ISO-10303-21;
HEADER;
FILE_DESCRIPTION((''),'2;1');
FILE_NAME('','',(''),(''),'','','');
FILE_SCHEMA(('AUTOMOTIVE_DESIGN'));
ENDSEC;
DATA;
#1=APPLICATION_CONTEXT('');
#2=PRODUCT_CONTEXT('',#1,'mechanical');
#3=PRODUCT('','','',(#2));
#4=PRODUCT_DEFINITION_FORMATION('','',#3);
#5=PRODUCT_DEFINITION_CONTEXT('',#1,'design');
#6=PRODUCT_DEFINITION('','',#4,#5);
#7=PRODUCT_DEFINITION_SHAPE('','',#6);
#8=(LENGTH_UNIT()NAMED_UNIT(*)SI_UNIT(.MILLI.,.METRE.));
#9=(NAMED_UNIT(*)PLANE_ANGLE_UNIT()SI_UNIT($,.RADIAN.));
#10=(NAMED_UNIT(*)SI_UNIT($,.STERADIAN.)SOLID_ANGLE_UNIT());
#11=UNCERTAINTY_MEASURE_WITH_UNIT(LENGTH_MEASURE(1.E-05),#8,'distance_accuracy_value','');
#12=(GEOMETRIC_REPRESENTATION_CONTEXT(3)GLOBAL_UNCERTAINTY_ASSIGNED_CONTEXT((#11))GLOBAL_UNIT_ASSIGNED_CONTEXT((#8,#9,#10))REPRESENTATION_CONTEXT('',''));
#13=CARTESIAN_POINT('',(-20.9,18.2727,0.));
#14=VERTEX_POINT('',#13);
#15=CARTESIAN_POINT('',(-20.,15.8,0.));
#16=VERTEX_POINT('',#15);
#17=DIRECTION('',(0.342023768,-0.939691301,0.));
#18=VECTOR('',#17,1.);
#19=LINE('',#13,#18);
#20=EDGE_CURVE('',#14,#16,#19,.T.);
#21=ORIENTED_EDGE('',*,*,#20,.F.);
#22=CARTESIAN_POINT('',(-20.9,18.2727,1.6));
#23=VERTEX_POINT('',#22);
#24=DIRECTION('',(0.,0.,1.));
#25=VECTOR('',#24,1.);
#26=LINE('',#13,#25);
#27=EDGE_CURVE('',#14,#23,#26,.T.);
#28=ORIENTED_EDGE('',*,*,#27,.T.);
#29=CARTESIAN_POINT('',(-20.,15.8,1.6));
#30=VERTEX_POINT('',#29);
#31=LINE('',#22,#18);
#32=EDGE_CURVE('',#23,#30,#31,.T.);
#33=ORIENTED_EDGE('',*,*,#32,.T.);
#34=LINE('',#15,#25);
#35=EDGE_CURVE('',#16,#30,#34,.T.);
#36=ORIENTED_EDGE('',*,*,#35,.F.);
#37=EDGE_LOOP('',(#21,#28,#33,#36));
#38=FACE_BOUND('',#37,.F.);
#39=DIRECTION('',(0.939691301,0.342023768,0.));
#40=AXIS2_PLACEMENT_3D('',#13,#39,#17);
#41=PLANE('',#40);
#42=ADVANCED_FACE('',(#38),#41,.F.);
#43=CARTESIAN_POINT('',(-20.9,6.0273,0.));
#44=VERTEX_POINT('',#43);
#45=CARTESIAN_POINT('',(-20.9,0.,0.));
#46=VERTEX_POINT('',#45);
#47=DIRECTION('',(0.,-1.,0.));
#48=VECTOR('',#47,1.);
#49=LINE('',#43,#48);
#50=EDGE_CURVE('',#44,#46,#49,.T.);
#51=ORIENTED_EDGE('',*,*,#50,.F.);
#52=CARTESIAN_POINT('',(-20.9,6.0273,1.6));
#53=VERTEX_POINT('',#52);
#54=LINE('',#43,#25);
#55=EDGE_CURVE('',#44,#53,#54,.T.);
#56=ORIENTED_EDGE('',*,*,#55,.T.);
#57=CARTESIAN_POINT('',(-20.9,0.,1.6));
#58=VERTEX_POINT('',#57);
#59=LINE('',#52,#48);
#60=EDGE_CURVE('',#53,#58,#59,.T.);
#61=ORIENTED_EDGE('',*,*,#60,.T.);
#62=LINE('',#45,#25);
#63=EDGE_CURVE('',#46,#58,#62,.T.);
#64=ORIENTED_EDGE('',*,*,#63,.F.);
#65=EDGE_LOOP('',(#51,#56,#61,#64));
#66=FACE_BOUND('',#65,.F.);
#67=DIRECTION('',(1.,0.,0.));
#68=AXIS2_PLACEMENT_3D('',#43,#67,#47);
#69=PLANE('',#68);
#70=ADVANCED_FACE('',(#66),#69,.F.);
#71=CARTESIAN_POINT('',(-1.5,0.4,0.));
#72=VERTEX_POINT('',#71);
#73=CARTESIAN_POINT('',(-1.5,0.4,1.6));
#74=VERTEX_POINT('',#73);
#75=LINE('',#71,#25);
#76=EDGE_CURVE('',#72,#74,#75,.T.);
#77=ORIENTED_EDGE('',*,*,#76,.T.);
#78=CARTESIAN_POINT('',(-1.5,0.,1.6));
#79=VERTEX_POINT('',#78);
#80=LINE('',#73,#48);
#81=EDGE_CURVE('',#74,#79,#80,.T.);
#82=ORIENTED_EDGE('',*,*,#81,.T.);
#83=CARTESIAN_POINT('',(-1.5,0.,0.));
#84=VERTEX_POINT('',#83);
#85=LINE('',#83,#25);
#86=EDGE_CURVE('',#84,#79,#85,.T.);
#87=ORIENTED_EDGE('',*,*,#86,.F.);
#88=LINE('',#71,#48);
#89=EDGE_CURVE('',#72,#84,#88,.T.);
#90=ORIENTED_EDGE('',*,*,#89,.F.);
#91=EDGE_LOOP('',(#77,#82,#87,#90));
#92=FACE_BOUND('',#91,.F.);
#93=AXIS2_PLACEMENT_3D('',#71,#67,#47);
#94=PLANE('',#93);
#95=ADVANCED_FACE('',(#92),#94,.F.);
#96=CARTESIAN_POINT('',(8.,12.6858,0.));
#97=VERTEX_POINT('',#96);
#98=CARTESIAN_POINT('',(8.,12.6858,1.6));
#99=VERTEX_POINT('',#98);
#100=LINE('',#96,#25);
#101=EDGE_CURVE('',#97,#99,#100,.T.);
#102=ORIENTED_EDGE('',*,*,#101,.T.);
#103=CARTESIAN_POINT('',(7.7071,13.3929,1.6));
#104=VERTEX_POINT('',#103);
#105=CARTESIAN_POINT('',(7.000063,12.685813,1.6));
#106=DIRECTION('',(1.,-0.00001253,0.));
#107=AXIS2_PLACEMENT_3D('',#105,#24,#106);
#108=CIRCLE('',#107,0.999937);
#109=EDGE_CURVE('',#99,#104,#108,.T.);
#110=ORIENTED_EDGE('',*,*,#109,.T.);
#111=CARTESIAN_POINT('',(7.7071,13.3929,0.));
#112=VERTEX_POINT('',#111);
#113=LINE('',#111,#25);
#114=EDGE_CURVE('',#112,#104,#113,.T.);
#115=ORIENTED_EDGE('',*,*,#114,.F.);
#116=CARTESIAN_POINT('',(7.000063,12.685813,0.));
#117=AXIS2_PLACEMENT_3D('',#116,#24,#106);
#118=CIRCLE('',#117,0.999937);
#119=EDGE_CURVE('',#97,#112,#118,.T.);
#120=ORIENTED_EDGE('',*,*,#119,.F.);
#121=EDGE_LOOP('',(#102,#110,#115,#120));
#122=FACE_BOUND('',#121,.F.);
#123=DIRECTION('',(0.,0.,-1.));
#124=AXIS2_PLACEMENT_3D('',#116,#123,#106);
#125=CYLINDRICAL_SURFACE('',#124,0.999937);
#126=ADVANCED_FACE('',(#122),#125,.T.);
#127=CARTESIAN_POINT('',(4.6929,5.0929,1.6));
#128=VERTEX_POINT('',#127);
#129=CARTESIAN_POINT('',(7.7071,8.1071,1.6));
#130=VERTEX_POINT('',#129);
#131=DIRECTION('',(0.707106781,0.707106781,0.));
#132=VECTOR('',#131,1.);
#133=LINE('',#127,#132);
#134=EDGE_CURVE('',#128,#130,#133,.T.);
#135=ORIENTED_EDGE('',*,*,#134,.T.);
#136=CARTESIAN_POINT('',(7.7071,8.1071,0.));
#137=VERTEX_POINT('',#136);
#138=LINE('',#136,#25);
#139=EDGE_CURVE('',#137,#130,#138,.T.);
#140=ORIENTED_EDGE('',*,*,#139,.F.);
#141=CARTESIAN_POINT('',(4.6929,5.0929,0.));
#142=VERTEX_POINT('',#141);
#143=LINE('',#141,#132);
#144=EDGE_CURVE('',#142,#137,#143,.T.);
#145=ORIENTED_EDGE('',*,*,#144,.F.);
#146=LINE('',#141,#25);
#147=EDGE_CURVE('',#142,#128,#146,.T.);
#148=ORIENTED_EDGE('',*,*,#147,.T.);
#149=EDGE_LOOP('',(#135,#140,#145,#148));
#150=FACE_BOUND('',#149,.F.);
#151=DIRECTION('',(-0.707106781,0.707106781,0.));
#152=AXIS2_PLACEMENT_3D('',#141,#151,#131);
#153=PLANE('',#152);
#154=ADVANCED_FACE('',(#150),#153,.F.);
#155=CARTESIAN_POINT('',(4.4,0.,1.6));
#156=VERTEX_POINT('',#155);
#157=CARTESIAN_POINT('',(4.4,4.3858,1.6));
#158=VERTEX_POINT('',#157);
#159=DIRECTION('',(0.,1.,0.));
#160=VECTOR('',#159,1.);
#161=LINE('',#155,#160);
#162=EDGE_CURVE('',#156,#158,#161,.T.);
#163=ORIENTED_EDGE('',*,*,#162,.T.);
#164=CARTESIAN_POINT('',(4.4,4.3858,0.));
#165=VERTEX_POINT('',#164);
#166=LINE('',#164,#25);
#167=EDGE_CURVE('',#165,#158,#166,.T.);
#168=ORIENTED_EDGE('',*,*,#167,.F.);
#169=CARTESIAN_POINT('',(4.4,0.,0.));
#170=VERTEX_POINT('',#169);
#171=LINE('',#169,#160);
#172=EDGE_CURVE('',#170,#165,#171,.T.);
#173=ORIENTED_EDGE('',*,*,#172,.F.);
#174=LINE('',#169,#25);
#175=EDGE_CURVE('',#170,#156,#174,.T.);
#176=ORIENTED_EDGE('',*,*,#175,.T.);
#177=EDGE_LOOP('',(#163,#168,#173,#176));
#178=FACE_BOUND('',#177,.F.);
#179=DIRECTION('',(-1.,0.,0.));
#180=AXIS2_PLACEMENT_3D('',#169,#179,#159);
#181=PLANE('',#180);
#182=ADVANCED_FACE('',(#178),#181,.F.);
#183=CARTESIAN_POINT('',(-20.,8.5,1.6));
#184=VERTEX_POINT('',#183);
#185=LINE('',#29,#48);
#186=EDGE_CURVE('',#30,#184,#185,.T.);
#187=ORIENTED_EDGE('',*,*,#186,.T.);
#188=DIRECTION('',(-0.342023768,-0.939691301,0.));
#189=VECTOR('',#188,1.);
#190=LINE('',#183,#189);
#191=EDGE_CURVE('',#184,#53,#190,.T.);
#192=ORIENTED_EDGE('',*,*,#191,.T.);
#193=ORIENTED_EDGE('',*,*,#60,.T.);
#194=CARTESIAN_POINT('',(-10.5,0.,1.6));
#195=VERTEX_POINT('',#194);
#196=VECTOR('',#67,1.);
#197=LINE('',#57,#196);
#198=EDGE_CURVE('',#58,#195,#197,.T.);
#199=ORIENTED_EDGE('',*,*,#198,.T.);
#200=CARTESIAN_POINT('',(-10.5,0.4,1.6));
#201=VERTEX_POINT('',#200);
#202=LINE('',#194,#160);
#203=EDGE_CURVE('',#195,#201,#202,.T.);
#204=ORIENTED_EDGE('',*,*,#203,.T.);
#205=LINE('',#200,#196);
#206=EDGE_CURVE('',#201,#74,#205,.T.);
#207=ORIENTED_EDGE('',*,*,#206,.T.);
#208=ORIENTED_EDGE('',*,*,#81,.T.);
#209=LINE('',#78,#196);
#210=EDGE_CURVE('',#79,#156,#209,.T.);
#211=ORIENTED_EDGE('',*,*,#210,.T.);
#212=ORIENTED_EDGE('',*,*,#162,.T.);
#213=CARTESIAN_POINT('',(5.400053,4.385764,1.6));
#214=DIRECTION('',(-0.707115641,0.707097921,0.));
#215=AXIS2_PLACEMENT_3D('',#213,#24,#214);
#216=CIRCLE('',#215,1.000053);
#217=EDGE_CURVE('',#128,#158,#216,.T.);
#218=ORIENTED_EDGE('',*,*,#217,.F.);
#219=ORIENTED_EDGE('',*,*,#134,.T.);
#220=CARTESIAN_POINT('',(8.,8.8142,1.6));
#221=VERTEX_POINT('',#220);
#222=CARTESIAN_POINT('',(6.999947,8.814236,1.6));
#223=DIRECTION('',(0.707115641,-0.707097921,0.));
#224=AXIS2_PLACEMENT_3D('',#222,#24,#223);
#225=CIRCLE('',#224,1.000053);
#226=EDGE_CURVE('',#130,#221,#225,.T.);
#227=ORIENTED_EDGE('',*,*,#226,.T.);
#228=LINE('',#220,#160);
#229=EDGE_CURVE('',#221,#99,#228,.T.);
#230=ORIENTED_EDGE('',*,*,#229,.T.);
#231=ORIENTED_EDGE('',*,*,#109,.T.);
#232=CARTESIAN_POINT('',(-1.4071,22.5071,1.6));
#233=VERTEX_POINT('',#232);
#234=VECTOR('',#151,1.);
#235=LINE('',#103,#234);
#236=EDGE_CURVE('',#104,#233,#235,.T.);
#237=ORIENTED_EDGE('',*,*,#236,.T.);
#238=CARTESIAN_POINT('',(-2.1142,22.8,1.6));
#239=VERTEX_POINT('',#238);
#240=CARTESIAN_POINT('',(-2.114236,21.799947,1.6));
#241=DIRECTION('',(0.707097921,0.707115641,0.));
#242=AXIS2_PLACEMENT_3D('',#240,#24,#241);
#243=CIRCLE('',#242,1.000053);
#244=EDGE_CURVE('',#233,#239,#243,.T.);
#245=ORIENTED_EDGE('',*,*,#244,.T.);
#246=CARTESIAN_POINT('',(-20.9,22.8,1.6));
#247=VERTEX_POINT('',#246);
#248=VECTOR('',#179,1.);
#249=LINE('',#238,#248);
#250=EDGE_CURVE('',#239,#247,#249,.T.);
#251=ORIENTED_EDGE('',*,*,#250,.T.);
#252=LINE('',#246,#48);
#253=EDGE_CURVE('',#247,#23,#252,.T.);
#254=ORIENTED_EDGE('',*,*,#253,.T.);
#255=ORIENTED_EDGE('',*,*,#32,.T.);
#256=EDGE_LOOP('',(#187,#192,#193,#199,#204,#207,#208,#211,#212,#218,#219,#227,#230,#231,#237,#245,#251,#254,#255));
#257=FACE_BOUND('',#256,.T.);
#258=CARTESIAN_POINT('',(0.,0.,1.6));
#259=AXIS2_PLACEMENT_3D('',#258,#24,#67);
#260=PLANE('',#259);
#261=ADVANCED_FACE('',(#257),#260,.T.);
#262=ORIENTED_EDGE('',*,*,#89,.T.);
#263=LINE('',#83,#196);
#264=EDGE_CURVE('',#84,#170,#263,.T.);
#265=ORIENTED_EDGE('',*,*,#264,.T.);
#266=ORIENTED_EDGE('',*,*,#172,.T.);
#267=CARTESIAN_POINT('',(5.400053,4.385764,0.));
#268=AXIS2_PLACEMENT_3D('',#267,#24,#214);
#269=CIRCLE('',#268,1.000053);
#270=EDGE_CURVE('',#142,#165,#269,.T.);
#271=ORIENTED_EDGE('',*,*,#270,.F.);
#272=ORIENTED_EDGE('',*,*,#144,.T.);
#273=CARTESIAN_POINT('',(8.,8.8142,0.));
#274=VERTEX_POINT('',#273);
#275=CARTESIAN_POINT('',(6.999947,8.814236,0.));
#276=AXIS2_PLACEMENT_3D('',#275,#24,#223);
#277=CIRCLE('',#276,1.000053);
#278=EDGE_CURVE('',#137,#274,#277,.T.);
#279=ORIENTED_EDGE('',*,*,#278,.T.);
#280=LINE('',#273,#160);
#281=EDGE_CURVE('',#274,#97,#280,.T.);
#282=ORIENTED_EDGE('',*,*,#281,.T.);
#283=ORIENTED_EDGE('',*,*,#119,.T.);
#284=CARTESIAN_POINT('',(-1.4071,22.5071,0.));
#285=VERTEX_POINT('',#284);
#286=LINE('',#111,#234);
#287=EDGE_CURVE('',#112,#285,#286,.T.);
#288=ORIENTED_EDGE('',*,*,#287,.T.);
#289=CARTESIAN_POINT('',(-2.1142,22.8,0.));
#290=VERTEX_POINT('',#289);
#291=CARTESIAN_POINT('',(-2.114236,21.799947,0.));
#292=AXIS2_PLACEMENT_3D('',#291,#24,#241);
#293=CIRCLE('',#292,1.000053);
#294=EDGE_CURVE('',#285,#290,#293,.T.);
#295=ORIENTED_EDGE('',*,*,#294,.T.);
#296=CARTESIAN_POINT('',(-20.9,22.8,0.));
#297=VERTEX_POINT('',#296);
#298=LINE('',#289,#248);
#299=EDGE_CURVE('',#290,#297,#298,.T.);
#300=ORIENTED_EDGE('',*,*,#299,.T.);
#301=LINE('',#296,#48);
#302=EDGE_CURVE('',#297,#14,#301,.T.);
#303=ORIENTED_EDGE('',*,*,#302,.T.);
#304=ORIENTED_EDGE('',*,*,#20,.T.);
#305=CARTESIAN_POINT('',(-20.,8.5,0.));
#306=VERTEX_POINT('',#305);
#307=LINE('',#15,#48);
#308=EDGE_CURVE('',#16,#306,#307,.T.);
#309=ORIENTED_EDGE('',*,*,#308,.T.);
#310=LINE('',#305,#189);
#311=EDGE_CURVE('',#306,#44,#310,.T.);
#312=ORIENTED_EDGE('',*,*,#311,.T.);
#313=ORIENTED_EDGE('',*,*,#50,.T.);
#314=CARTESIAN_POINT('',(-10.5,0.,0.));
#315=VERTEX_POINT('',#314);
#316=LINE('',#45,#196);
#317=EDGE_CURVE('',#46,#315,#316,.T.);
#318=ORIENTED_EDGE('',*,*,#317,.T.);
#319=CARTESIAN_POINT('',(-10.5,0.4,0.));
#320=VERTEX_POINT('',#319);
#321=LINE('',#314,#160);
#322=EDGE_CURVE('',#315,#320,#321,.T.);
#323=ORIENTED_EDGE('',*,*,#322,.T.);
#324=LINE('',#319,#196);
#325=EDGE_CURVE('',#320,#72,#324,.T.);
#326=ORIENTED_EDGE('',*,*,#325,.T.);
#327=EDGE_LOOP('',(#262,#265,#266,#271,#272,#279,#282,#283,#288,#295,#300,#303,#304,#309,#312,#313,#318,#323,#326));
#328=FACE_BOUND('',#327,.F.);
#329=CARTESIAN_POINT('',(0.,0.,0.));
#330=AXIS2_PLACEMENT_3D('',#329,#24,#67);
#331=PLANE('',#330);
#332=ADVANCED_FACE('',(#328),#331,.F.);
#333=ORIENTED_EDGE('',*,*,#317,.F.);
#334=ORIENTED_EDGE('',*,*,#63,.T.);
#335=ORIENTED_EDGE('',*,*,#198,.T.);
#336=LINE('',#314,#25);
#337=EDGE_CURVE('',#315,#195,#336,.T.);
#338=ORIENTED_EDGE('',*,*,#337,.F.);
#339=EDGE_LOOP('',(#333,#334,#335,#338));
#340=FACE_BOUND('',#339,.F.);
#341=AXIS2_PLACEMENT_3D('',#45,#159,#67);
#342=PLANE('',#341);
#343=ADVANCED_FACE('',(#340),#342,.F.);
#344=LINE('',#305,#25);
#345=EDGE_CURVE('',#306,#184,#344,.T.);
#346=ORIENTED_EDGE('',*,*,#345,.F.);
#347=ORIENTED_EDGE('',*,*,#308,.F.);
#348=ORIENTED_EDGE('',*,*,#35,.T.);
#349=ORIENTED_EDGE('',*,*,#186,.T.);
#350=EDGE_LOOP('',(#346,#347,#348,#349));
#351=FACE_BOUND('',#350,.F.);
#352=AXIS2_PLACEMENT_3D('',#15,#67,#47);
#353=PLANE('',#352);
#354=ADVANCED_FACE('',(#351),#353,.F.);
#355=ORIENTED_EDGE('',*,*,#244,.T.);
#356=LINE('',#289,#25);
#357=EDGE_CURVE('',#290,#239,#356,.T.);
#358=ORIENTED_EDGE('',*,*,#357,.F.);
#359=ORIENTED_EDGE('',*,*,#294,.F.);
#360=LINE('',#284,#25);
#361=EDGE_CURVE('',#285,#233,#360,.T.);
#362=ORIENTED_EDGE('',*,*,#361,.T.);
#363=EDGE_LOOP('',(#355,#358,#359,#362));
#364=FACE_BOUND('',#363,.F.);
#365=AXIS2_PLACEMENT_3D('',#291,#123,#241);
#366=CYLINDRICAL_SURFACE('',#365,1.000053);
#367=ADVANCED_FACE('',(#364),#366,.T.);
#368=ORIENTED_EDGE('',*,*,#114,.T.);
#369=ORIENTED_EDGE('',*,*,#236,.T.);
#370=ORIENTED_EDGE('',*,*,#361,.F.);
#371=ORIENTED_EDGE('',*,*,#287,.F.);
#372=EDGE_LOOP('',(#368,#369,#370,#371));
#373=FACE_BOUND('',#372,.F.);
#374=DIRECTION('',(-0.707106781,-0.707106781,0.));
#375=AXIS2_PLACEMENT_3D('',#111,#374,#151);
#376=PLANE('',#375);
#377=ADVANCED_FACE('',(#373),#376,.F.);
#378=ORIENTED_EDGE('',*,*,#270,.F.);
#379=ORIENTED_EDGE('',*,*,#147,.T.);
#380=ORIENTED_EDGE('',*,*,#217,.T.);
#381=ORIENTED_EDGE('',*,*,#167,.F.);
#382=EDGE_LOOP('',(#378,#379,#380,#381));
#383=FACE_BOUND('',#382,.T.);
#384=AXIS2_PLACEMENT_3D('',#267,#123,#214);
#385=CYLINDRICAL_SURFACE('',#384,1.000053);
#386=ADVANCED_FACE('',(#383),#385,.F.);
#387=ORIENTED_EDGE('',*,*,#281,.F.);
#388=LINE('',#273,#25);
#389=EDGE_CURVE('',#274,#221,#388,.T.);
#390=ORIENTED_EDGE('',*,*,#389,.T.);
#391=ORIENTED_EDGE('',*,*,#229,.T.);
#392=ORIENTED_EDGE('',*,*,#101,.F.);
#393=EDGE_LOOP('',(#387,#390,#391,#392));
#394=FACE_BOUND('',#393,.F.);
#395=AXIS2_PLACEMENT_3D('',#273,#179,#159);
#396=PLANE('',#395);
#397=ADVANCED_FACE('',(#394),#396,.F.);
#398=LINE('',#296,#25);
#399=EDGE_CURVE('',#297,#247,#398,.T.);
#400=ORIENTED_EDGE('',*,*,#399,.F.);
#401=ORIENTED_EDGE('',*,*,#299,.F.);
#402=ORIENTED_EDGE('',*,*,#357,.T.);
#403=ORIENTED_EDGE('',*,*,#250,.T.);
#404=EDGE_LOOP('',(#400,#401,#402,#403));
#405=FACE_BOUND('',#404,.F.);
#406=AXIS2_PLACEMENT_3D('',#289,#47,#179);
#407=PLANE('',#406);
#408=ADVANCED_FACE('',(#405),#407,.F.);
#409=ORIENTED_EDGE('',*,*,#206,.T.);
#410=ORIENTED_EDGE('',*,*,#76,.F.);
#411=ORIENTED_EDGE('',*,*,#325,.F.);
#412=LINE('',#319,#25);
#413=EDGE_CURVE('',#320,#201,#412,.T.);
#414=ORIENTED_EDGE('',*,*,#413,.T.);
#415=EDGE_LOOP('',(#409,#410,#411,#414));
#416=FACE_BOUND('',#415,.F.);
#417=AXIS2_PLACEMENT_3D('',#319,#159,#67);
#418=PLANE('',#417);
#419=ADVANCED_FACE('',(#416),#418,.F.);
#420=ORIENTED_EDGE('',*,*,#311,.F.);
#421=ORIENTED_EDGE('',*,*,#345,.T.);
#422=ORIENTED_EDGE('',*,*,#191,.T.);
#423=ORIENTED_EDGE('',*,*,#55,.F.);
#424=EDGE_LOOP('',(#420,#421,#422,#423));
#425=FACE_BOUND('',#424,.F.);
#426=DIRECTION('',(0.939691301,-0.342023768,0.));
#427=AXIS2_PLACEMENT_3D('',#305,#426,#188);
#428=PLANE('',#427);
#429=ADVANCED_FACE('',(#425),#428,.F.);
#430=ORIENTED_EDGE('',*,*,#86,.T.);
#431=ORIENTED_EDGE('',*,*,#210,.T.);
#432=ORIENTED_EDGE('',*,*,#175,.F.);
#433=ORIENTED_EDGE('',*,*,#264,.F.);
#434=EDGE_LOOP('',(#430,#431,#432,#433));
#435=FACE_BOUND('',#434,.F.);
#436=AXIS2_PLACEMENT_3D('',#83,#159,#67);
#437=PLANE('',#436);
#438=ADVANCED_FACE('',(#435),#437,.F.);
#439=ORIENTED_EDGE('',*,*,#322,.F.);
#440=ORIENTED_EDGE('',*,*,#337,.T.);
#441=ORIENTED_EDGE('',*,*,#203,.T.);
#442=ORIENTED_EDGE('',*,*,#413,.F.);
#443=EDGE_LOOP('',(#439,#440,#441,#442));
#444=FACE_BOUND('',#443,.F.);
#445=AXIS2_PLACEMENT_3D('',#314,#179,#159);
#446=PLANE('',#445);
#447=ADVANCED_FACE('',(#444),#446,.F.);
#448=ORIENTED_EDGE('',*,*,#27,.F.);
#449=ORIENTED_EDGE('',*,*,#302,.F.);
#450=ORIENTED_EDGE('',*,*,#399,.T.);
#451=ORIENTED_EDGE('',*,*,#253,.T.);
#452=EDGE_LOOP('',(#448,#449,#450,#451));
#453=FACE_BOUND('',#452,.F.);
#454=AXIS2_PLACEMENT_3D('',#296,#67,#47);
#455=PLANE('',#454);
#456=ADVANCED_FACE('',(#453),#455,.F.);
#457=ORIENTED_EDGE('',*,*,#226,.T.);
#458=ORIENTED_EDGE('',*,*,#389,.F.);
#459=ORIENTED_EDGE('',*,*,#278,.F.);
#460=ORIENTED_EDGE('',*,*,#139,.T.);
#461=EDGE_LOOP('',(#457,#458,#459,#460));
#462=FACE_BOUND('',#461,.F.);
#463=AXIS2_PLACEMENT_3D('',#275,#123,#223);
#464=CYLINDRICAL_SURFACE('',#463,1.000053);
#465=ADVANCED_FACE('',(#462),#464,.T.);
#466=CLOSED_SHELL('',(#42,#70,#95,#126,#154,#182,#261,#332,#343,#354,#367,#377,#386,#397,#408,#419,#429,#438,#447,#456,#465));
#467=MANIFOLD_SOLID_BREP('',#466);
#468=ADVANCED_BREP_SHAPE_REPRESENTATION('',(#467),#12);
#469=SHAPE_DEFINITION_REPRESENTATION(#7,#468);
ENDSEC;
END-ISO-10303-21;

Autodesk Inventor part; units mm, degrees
ref_plane "YZ Plane" through (0, 0, 0) normal (1, 0, 0) x (0, 1, 0)
ref_plane "XZ Plane" through (0, 0, 0) normal (0, 1, 0) x (-1, 0, 0)
ref_plane "XY Plane" through (0, 0, 0) normal (0, 0, 1) x (1, 0, 0)
sketch "Skizze_1" plane through (0, 0, 0) normal (0, 0, 1) x (1, 0, 0)
  line L0 (-20.9, 0) -> (-10.5, 0)
  line L1 (-10.5, 0) -> (-10.5, 0.4)
  line L2 (-10.5, 0.4) -> (-1.5, 0.4)
  line L3 (-1.5, 0.4) -> (-1.5, 0)
  line L4 (-1.5, 0) -> (4.4, 0)
  line L5 (4.4, 0) -> (4.4, 4.3858)
  arc A0 (4.6929, 5.0929) -> (4.4, 4.3858) centre (5.4, 4.3858) ccw
  line L6 (4.6929, 5.0929) -> (7.7071, 8.1071)
  arc A1 (7.7071, 8.1071) -> (8, 8.8142) centre (7, 8.8142) ccw
  line L7 (8, 8.8142) -> (8, 12.6858)
  arc A2 (8, 12.6858) -> (7.7071, 13.3929) centre (7, 12.6858) ccw
  line L8 (7.7071, 13.3929) -> (-1.4071, 22.5071)
  arc A3 (-1.4071, 22.5071) -> (-2.1142, 22.8) centre (-2.1142, 21.8) ccw
  line L9 (-2.1142, 22.8) -> (-20.9, 22.8)
  line L10 (-20.9, 22.8) -> (-20.9, 18.2727)
  line L11 (-20.9, 18.2727) -> (-20, 15.8)
  line L12 (-20, 15.8) -> (-20, 8.5)
  line L13 (-20, 8.5) -> (-20.9, 6.0273)
  line L14 (-20.9, 6.0273) -> (-20.9, 0)
extrude "Extrusion1" add sketch "Skizze_1" along normal blind 1.6
properties part number "745-300"
